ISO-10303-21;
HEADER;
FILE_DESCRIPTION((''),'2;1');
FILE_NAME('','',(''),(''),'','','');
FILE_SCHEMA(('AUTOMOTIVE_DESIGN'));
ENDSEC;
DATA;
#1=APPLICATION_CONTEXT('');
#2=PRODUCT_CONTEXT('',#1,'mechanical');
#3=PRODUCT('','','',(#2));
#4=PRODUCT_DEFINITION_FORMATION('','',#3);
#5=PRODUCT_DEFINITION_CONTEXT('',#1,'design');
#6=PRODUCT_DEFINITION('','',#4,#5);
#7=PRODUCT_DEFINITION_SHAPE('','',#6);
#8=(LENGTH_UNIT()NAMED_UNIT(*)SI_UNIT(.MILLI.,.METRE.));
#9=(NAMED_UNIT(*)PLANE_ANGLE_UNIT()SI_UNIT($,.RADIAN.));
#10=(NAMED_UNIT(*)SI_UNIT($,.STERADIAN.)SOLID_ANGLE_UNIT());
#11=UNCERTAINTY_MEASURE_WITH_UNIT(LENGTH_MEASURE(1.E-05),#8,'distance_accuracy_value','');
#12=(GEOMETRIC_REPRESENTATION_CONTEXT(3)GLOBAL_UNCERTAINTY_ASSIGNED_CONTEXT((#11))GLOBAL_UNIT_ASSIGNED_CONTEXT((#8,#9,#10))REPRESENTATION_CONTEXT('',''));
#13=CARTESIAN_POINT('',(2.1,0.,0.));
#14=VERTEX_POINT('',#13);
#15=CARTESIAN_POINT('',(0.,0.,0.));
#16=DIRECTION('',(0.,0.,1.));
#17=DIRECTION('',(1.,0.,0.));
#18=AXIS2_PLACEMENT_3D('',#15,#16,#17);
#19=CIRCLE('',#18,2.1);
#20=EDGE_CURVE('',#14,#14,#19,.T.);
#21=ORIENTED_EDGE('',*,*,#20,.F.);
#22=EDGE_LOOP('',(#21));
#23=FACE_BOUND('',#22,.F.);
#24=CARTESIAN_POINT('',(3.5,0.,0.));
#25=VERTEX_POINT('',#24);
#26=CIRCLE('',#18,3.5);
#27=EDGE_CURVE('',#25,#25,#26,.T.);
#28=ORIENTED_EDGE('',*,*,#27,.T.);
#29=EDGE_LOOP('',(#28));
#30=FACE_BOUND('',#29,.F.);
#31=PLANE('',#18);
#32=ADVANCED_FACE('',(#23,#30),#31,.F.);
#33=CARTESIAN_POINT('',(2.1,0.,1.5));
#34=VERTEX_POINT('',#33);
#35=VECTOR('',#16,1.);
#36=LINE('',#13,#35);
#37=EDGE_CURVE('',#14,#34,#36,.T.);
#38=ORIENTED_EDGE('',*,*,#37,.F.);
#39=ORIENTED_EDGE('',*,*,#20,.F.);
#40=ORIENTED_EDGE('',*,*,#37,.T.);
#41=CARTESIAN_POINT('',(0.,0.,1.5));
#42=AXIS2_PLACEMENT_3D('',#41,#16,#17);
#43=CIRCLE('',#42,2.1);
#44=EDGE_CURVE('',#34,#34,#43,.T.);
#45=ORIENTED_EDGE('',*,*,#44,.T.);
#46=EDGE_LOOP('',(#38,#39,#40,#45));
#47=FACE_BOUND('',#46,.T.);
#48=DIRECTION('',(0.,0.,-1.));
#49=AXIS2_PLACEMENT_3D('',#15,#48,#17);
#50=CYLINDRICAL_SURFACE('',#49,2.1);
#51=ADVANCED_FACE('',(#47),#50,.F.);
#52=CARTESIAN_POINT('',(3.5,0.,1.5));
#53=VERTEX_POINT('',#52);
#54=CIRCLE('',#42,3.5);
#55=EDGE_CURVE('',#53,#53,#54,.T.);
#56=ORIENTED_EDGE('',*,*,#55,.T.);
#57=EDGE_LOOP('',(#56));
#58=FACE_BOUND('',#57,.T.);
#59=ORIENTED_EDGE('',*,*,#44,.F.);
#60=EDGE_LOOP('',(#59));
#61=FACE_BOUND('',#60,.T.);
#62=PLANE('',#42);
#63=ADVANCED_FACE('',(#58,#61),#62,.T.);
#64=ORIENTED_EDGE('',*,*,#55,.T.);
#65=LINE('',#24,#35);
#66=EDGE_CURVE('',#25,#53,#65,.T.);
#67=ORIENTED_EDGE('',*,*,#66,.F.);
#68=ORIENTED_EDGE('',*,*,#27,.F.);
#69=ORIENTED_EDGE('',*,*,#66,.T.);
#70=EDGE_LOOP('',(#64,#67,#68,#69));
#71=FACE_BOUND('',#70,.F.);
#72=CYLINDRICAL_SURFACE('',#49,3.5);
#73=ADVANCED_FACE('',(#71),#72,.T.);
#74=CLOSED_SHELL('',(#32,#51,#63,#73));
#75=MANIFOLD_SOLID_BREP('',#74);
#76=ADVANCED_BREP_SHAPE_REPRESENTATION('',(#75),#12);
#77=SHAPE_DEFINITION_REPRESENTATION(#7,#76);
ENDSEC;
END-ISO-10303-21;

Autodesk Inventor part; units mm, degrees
ref_plane "YZ Plane" through (0, 0, 0) normal (1, 0, 0) x (0, 1, 0)
ref_plane "XZ Plane" through (0, 0, 0) normal (0, 1, 0) x (-1, 0, 0)
ref_plane "XY Plane" through (0, 0, 0) normal (0, 0, 1) x (1, 0, 0)
sketch "スケッチ1" plane through (0, 0, 0) normal (0, 0, 1) x (1, 0, 0)
  circle A0 centre (0, 0) radius 2.1
  circle A1 centre (0, 0) radius 3.5
  dimension "d0" = 4.2
  dimension "d1" = 1.4
extrude "押し出し1" add sketch "スケッチ1" along normal blind 1.5
properties part number "シムリング0407.1t自作" material "アルミニウム 2014-T4"
